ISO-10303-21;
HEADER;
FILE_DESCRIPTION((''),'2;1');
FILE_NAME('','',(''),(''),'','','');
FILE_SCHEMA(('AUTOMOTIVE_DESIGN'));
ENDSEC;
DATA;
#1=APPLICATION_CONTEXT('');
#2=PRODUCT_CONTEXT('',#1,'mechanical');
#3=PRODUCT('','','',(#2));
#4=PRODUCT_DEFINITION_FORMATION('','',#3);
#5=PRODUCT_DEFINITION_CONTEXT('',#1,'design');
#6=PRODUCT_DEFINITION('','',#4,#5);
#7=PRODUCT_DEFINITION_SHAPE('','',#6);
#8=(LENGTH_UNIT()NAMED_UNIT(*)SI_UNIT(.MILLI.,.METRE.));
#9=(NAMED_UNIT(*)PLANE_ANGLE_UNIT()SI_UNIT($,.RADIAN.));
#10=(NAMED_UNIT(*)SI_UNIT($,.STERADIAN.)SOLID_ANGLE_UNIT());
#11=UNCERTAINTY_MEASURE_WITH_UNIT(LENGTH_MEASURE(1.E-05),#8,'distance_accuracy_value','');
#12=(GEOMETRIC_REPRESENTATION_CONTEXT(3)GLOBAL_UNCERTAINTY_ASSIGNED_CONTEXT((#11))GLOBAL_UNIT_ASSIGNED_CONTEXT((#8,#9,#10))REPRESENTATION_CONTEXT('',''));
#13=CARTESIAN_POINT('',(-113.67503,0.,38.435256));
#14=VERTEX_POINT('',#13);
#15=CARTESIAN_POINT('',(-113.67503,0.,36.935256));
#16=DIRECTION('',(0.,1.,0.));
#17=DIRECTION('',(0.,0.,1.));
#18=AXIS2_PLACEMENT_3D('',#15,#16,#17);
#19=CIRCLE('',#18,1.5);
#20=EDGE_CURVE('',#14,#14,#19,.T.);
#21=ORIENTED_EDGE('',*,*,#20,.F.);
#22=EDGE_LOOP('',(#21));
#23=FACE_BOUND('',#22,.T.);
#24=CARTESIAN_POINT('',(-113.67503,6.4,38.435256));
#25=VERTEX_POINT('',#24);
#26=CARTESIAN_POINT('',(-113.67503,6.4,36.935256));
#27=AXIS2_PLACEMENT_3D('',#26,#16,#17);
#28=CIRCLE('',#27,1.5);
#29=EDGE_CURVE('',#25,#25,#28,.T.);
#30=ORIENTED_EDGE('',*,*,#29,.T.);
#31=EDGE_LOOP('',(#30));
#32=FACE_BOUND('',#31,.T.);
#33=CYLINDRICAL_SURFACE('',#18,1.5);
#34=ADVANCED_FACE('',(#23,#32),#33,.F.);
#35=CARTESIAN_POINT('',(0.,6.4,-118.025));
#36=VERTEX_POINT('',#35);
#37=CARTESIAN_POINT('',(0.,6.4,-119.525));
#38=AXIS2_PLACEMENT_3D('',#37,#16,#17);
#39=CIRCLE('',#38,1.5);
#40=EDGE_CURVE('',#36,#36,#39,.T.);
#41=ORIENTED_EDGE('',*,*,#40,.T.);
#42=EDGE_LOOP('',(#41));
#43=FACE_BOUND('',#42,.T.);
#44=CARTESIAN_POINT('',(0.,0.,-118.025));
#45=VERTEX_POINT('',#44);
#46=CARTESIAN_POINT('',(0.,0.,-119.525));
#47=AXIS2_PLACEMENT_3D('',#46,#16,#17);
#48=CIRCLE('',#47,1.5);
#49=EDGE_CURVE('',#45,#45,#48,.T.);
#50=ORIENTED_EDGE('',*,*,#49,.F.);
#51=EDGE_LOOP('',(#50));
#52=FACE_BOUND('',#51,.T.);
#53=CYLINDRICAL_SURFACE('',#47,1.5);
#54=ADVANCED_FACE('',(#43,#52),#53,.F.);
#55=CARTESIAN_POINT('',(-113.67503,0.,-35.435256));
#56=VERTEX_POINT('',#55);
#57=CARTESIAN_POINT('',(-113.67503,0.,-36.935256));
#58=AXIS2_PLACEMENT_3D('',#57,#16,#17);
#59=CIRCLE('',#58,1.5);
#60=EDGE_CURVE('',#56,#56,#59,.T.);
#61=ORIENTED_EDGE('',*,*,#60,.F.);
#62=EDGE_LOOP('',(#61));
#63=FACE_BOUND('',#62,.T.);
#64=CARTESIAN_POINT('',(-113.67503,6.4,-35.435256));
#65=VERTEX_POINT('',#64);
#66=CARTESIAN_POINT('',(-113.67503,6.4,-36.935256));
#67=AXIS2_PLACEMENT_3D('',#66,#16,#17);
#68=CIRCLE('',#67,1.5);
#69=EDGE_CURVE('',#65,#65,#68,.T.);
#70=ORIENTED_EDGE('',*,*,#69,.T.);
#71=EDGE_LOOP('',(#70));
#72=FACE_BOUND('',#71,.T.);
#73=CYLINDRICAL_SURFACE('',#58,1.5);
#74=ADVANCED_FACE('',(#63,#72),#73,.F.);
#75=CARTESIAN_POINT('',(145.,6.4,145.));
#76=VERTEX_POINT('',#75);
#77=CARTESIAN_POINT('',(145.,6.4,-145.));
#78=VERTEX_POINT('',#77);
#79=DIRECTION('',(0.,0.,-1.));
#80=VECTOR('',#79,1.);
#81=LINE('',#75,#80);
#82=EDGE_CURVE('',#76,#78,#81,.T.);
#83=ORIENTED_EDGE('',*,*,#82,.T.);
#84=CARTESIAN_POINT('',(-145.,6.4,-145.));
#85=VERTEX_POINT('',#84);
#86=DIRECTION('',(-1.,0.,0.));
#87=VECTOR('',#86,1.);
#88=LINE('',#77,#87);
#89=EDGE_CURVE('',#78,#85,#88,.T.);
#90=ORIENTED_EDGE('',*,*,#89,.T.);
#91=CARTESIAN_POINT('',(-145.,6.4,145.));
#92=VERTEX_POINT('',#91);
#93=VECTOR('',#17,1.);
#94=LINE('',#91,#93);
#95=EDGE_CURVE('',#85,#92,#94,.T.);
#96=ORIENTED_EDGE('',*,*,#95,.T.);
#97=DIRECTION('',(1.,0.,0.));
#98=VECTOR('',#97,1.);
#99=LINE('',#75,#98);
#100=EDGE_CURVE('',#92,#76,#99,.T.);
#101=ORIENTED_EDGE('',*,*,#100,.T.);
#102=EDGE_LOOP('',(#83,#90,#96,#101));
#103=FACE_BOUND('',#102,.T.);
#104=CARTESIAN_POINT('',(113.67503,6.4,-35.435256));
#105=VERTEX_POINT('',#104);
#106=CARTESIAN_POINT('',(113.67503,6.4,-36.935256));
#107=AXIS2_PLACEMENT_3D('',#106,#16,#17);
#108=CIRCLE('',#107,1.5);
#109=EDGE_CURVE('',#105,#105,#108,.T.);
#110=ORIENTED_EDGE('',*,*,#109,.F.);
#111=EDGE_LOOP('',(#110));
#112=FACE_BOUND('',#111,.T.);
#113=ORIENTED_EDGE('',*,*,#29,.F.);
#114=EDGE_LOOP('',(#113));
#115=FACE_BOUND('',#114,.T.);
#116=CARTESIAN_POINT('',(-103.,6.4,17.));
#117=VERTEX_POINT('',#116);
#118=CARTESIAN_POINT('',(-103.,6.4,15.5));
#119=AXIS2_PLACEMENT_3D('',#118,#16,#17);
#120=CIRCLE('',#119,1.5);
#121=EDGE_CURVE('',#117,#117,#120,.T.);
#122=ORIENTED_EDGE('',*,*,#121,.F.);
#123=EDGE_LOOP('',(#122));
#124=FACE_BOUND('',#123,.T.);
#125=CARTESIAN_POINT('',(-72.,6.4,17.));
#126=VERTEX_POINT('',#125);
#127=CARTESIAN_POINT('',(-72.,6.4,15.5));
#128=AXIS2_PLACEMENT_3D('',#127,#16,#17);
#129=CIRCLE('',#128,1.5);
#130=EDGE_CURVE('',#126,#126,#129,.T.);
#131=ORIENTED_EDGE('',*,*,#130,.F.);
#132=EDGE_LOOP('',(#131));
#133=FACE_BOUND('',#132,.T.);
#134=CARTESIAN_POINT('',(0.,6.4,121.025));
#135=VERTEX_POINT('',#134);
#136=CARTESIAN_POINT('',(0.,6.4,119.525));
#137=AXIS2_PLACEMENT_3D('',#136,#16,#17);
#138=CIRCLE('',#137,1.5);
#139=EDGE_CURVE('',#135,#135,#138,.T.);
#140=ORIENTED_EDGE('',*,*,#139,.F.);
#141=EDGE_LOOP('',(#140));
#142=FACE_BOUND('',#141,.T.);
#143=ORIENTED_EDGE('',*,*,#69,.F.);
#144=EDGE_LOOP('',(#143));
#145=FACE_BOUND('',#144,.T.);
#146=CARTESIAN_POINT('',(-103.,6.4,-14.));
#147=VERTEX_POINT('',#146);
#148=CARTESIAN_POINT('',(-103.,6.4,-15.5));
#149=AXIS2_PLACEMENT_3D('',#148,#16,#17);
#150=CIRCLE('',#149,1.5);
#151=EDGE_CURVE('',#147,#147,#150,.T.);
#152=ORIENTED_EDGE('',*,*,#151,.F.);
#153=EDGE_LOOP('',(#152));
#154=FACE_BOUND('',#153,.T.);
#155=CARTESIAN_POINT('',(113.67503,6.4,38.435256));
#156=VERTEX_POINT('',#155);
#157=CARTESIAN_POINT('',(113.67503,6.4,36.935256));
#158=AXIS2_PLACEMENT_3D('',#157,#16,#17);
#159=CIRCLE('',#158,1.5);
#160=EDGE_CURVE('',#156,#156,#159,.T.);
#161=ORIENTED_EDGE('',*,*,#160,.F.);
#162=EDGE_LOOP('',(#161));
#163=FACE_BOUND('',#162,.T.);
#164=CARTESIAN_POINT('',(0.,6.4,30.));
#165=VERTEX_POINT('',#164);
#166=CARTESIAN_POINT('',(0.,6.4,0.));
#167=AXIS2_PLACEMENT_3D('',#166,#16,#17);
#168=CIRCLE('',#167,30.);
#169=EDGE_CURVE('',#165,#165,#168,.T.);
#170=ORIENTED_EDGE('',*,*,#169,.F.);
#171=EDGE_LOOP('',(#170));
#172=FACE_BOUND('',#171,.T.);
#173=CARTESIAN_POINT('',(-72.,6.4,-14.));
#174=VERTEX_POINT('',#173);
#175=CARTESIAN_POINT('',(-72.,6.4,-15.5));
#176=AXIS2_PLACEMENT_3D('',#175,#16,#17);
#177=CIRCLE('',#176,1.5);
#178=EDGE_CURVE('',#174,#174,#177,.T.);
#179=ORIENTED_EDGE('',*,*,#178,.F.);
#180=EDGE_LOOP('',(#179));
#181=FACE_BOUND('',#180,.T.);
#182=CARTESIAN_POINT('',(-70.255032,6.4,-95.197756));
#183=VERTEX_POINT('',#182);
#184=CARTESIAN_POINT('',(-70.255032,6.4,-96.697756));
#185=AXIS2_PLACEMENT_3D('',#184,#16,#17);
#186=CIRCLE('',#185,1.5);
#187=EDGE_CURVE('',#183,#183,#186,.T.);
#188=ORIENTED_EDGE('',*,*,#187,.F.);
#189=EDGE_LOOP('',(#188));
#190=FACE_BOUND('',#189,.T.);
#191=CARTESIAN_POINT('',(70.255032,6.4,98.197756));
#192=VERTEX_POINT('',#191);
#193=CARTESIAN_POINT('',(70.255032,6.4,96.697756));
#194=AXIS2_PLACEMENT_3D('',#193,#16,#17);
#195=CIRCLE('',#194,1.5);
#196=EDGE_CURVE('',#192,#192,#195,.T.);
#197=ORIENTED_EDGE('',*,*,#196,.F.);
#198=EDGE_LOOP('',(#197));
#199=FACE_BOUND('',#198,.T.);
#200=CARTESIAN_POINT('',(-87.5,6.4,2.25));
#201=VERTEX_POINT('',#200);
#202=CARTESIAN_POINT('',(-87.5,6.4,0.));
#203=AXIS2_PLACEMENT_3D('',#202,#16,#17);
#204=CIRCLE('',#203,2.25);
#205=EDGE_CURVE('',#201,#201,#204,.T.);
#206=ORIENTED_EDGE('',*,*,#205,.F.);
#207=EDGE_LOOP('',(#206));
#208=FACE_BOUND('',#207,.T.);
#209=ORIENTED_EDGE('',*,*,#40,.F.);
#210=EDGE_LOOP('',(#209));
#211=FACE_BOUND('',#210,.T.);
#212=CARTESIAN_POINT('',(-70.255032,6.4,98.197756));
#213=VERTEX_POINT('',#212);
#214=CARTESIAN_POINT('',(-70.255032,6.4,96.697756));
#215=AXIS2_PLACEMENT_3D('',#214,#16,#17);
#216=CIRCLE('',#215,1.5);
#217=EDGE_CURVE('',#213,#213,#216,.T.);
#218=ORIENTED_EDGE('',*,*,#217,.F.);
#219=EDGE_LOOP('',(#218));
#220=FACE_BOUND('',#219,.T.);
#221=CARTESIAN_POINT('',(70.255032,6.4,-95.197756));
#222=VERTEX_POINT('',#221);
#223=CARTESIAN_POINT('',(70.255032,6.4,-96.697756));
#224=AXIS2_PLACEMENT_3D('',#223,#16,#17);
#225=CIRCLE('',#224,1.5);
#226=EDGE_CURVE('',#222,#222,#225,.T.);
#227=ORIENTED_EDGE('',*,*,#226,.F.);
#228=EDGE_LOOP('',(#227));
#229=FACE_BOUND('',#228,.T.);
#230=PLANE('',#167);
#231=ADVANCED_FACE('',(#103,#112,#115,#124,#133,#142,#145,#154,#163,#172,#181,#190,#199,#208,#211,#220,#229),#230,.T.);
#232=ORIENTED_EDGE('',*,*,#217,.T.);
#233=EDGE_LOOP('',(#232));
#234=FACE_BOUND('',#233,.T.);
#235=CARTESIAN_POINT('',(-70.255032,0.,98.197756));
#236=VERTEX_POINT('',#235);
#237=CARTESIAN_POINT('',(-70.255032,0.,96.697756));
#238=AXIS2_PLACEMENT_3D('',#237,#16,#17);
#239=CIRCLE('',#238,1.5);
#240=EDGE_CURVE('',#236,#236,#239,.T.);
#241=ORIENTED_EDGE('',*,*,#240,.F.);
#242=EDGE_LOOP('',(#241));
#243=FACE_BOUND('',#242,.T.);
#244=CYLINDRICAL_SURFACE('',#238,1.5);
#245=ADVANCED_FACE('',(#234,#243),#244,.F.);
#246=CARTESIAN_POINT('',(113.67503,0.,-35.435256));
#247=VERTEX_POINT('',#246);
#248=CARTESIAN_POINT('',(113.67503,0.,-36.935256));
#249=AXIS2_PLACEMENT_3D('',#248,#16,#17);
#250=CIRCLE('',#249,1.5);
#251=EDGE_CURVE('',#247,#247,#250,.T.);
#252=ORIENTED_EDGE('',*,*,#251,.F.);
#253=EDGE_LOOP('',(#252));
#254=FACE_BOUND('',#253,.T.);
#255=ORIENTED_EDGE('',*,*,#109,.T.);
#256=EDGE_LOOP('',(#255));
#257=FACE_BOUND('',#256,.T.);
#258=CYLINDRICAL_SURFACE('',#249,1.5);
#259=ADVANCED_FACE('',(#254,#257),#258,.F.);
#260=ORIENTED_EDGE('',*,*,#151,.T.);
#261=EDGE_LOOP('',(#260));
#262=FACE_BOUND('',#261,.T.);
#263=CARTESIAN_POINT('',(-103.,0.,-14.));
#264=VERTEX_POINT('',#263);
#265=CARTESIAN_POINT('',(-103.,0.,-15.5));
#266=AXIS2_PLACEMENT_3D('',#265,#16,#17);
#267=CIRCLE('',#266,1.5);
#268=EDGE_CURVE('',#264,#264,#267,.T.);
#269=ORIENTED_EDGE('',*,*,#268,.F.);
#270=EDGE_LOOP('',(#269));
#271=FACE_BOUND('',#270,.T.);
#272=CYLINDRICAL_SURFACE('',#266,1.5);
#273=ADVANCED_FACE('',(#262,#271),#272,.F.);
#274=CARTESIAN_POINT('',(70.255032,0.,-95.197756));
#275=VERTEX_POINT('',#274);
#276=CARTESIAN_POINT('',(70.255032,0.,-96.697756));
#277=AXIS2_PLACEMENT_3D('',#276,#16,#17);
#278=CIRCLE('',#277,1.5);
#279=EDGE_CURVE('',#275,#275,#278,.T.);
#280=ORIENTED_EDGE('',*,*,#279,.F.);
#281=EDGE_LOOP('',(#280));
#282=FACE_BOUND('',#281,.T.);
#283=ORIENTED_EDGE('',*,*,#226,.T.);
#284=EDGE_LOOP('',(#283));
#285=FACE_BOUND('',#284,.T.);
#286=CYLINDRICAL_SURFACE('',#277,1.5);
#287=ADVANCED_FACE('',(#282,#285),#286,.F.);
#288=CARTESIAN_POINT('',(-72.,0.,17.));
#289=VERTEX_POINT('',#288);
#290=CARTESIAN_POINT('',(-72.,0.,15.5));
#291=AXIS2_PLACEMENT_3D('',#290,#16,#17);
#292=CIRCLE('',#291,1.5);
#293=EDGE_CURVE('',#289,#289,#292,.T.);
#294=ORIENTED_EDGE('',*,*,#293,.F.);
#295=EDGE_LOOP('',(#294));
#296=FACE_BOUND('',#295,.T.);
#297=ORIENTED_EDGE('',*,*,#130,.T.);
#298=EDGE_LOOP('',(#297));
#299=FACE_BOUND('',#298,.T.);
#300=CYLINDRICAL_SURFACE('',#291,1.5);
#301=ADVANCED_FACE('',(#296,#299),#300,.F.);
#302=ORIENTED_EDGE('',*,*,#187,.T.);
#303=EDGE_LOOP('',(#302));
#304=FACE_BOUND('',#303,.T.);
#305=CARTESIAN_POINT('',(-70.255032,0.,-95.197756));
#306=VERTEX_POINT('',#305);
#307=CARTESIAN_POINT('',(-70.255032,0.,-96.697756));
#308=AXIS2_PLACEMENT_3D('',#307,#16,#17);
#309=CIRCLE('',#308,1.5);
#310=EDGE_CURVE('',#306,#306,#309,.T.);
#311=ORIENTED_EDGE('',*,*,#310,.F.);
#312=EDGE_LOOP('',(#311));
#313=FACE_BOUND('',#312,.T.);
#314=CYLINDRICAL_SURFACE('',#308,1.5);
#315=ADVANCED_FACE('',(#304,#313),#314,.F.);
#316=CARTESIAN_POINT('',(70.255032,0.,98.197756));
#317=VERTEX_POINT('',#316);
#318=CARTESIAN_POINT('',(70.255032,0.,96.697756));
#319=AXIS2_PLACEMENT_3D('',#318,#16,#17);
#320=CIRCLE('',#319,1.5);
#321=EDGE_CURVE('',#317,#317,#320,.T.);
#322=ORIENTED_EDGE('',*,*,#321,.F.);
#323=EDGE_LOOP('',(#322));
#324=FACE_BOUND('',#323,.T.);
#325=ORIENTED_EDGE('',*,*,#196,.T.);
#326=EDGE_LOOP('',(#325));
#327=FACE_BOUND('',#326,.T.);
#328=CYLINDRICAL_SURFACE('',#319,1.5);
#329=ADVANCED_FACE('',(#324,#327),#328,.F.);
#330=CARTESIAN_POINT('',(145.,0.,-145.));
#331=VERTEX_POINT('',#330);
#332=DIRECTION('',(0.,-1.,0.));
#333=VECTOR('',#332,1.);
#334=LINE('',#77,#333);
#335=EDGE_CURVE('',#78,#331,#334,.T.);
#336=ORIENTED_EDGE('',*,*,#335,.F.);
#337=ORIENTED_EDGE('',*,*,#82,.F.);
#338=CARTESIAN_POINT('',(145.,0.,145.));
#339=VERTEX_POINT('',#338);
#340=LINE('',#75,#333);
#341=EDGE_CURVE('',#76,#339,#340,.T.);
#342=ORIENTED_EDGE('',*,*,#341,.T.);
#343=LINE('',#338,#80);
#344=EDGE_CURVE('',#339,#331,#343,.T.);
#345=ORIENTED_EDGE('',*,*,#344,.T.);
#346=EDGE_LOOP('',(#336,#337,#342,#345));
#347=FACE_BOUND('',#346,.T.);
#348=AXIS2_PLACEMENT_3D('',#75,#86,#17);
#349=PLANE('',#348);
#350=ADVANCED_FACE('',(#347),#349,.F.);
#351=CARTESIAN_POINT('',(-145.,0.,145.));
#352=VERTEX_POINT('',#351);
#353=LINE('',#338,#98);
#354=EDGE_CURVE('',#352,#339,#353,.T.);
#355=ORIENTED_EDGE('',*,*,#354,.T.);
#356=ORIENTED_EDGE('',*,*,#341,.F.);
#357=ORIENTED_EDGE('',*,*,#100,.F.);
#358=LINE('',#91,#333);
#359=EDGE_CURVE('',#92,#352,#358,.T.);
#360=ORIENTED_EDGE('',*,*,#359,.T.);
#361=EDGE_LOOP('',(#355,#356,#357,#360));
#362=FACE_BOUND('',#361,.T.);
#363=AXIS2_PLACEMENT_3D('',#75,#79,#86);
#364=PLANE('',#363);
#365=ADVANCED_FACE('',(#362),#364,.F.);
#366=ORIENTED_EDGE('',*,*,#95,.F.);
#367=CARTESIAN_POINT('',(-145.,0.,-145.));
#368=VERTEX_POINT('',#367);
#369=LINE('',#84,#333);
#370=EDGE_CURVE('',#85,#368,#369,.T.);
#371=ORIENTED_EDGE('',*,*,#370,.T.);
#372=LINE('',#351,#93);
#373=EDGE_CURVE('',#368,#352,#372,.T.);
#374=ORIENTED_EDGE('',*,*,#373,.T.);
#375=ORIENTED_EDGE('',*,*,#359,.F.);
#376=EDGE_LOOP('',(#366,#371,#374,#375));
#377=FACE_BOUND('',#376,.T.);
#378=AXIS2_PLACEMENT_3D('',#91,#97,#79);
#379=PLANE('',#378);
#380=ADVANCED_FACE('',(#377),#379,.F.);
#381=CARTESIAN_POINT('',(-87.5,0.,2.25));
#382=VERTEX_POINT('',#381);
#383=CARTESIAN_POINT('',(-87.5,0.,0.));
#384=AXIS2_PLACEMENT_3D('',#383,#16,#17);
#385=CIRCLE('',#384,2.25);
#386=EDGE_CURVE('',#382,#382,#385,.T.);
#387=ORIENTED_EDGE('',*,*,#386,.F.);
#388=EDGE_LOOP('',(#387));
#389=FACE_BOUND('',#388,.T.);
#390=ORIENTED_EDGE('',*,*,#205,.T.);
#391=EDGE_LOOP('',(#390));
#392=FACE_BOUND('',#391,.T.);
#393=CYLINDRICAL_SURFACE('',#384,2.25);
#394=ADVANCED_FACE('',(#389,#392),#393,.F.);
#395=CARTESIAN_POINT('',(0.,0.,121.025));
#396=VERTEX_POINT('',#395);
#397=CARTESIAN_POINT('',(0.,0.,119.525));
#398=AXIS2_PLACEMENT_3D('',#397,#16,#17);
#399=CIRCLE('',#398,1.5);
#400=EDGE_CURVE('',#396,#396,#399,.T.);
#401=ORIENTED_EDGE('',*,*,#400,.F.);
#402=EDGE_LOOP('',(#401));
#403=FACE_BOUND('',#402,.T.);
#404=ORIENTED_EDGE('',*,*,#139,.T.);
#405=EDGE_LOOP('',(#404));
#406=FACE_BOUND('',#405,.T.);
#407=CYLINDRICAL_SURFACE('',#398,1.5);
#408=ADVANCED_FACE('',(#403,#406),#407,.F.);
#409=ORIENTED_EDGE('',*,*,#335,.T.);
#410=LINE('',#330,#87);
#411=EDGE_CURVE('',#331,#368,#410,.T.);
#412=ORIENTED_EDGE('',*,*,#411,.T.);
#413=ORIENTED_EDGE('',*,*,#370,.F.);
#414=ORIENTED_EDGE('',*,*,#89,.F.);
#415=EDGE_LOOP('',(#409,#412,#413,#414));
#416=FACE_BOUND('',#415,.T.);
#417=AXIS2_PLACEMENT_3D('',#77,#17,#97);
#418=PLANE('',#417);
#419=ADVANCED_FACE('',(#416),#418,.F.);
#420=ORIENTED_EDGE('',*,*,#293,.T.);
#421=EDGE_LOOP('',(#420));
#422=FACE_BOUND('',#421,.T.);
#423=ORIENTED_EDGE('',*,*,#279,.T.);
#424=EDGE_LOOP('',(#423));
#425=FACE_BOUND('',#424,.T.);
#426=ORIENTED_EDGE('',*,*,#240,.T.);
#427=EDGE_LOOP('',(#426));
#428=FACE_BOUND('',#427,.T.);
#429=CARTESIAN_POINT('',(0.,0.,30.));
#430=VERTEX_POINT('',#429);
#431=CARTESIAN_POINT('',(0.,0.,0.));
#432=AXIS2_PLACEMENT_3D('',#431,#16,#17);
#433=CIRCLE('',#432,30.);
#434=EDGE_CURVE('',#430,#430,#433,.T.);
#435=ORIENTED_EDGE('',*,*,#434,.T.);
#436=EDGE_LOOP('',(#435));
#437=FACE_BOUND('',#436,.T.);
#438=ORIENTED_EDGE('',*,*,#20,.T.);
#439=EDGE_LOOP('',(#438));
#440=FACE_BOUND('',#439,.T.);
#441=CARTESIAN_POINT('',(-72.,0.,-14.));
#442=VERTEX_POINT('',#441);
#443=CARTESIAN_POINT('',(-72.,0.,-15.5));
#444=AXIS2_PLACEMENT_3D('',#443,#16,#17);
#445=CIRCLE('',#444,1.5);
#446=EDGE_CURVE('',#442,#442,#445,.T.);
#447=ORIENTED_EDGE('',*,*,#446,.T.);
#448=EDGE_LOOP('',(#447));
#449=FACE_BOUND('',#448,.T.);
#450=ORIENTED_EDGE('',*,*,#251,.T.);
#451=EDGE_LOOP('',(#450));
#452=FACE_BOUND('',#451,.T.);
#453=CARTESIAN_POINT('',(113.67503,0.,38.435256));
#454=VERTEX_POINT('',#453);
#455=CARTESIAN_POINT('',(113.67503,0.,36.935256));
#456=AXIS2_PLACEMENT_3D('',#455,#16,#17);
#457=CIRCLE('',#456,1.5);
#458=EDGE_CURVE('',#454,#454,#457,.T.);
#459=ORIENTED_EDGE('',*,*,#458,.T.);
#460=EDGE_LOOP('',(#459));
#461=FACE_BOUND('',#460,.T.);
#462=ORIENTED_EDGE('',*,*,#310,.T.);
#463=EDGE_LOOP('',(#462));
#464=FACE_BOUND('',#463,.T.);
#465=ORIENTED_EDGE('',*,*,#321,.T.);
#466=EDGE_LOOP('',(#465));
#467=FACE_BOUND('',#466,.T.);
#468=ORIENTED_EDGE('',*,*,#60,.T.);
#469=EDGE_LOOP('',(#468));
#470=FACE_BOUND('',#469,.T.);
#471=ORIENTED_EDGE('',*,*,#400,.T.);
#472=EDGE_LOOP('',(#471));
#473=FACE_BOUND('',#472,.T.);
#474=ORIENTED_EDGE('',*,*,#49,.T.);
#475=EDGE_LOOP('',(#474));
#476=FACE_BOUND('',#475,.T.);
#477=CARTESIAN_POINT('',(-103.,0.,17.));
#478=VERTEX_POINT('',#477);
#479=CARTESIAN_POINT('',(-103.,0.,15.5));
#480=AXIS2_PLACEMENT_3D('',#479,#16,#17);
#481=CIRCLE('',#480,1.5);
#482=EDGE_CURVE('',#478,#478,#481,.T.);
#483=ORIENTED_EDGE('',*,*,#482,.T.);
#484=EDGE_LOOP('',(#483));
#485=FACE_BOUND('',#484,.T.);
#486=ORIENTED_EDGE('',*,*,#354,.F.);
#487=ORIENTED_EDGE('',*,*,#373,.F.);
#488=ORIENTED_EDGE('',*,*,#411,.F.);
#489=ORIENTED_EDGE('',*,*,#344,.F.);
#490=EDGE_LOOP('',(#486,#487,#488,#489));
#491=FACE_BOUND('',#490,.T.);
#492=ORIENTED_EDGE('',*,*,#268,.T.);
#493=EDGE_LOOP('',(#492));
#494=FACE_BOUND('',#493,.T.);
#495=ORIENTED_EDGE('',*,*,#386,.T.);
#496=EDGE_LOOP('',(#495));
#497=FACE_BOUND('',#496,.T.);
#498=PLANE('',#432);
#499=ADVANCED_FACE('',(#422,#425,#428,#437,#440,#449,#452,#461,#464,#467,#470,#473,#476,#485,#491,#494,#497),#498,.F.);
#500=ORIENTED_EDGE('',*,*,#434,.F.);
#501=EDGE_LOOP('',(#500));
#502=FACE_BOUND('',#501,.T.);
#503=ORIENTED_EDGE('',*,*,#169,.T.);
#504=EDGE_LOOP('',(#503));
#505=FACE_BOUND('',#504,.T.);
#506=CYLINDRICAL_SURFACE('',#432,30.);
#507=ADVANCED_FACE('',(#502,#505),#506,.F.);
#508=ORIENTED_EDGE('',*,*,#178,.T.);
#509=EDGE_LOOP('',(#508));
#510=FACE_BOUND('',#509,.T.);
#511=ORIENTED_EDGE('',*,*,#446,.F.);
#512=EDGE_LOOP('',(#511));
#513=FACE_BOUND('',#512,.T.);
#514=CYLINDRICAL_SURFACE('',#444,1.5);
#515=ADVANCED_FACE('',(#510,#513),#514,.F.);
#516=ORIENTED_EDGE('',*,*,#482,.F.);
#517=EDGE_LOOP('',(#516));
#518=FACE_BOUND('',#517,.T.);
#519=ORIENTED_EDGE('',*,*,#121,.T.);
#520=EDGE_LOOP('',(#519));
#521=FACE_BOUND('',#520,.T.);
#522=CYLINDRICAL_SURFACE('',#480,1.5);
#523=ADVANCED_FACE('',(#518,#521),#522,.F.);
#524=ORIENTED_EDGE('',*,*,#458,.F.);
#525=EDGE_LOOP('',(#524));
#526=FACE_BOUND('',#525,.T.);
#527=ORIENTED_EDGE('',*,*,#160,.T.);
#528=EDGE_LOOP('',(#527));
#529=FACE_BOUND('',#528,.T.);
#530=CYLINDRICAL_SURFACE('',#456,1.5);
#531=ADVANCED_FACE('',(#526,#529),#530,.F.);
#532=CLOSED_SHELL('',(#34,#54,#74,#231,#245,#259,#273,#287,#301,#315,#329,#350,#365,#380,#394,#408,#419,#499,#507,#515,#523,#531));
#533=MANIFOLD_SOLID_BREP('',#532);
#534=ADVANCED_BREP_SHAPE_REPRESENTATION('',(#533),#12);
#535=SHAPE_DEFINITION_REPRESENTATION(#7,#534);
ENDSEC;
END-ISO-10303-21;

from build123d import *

# Parameters (mm, degrees)
SKETCH1_W           = 290
SKETCH1_H           = 290
BOSS_EXTRUDE1_DEPTH = 6.4
SKETCH2_R           = 30
SKETCH2_R_2         = 1.5
SKETCH2_R_3         = 2.25
CUT_EXTRUDE1_DEPTH  = 6.4


with BuildPart() as part:
    # Sketch1 → Boss-Extrude1 (new body)
    with BuildSketch(Plane(origin=(0, 0, 0), x_dir=(1, 0, 0), z_dir=(0, 1, 0))):
        Rectangle(SKETCH1_W, SKETCH1_H)
    extrude(amount=BOSS_EXTRUDE1_DEPTH)

    # Sketch2 → Cut-Extrude1 (cut)
    with BuildSketch(Plane(origin=(0, 6.4, 0), x_dir=(1, 0, 0), z_dir=(0, 1, 0))):
        with Locations(Location((0, 0, 0), (0, 0, 270))):
            Circle(SKETCH2_R)
        with Locations(Location((0, 119.525, 0), (0, 0, 270))):
            Circle(SKETCH2_R_2)
        with Locations(Location((70.25503228, 96.697756253, 0), (0, 0, 270))):
            Circle(SKETCH2_R_2)
        with Locations(Location((113.67503011, 36.935256253, 0), (0, 0, 270))):
            Circle(SKETCH2_R_2)
        with Locations(Location((113.67503011, -36.935256253, 0), (0, 0, 270))):
            Circle(SKETCH2_R_2)
        with Locations(Location((70.25503228, -96.697756253, 0), (0, 0, 270))):
            Circle(SKETCH2_R_2)
        with Locations(Location((0, -119.525, 0), (0, 0, 270))):
            Circle(SKETCH2_R_2)
        with Locations(Location((-70.25503228, -96.697756253, 0), (0, 0, 270))):
            Circle(SKETCH2_R_2)
        with Locations(Location((-113.67503011, -36.935256253, 0), (0, 0, 270))):
            Circle(SKETCH2_R_2)
        with Locations(Location((-113.67503011, 36.935256253, 0), (0, 0, 270))):
            Circle(SKETCH2_R_2)
        with Locations(Location((-70.25503228, 96.697756253, 0), (0, 0, 270))):
            Circle(SKETCH2_R_2)
        with Locations(Location((-87.5, 0, 0), (0, 0, 270))):
            Circle(SKETCH2_R_3)
        with Locations(Location((-103, 15.5, 0), (0, 0, 270))):
            Circle(SKETCH2_R_2)
        with Locations(Location((-72, 15.5, 0), (0, 0, 270))):
            Circle(SKETCH2_R_2)
        with Locations(Location((-72, -15.5, 0), (0, 0, 270))):
            Circle(SKETCH2_R_2)
        with Locations(Location((-103, -15.5, 0), (0, 0, 270))):
            Circle(SKETCH2_R_2)
    extrude(amount=-CUT_EXTRUDE1_DEPTH, mode=Mode.SUBTRACT)


solid = part.part
